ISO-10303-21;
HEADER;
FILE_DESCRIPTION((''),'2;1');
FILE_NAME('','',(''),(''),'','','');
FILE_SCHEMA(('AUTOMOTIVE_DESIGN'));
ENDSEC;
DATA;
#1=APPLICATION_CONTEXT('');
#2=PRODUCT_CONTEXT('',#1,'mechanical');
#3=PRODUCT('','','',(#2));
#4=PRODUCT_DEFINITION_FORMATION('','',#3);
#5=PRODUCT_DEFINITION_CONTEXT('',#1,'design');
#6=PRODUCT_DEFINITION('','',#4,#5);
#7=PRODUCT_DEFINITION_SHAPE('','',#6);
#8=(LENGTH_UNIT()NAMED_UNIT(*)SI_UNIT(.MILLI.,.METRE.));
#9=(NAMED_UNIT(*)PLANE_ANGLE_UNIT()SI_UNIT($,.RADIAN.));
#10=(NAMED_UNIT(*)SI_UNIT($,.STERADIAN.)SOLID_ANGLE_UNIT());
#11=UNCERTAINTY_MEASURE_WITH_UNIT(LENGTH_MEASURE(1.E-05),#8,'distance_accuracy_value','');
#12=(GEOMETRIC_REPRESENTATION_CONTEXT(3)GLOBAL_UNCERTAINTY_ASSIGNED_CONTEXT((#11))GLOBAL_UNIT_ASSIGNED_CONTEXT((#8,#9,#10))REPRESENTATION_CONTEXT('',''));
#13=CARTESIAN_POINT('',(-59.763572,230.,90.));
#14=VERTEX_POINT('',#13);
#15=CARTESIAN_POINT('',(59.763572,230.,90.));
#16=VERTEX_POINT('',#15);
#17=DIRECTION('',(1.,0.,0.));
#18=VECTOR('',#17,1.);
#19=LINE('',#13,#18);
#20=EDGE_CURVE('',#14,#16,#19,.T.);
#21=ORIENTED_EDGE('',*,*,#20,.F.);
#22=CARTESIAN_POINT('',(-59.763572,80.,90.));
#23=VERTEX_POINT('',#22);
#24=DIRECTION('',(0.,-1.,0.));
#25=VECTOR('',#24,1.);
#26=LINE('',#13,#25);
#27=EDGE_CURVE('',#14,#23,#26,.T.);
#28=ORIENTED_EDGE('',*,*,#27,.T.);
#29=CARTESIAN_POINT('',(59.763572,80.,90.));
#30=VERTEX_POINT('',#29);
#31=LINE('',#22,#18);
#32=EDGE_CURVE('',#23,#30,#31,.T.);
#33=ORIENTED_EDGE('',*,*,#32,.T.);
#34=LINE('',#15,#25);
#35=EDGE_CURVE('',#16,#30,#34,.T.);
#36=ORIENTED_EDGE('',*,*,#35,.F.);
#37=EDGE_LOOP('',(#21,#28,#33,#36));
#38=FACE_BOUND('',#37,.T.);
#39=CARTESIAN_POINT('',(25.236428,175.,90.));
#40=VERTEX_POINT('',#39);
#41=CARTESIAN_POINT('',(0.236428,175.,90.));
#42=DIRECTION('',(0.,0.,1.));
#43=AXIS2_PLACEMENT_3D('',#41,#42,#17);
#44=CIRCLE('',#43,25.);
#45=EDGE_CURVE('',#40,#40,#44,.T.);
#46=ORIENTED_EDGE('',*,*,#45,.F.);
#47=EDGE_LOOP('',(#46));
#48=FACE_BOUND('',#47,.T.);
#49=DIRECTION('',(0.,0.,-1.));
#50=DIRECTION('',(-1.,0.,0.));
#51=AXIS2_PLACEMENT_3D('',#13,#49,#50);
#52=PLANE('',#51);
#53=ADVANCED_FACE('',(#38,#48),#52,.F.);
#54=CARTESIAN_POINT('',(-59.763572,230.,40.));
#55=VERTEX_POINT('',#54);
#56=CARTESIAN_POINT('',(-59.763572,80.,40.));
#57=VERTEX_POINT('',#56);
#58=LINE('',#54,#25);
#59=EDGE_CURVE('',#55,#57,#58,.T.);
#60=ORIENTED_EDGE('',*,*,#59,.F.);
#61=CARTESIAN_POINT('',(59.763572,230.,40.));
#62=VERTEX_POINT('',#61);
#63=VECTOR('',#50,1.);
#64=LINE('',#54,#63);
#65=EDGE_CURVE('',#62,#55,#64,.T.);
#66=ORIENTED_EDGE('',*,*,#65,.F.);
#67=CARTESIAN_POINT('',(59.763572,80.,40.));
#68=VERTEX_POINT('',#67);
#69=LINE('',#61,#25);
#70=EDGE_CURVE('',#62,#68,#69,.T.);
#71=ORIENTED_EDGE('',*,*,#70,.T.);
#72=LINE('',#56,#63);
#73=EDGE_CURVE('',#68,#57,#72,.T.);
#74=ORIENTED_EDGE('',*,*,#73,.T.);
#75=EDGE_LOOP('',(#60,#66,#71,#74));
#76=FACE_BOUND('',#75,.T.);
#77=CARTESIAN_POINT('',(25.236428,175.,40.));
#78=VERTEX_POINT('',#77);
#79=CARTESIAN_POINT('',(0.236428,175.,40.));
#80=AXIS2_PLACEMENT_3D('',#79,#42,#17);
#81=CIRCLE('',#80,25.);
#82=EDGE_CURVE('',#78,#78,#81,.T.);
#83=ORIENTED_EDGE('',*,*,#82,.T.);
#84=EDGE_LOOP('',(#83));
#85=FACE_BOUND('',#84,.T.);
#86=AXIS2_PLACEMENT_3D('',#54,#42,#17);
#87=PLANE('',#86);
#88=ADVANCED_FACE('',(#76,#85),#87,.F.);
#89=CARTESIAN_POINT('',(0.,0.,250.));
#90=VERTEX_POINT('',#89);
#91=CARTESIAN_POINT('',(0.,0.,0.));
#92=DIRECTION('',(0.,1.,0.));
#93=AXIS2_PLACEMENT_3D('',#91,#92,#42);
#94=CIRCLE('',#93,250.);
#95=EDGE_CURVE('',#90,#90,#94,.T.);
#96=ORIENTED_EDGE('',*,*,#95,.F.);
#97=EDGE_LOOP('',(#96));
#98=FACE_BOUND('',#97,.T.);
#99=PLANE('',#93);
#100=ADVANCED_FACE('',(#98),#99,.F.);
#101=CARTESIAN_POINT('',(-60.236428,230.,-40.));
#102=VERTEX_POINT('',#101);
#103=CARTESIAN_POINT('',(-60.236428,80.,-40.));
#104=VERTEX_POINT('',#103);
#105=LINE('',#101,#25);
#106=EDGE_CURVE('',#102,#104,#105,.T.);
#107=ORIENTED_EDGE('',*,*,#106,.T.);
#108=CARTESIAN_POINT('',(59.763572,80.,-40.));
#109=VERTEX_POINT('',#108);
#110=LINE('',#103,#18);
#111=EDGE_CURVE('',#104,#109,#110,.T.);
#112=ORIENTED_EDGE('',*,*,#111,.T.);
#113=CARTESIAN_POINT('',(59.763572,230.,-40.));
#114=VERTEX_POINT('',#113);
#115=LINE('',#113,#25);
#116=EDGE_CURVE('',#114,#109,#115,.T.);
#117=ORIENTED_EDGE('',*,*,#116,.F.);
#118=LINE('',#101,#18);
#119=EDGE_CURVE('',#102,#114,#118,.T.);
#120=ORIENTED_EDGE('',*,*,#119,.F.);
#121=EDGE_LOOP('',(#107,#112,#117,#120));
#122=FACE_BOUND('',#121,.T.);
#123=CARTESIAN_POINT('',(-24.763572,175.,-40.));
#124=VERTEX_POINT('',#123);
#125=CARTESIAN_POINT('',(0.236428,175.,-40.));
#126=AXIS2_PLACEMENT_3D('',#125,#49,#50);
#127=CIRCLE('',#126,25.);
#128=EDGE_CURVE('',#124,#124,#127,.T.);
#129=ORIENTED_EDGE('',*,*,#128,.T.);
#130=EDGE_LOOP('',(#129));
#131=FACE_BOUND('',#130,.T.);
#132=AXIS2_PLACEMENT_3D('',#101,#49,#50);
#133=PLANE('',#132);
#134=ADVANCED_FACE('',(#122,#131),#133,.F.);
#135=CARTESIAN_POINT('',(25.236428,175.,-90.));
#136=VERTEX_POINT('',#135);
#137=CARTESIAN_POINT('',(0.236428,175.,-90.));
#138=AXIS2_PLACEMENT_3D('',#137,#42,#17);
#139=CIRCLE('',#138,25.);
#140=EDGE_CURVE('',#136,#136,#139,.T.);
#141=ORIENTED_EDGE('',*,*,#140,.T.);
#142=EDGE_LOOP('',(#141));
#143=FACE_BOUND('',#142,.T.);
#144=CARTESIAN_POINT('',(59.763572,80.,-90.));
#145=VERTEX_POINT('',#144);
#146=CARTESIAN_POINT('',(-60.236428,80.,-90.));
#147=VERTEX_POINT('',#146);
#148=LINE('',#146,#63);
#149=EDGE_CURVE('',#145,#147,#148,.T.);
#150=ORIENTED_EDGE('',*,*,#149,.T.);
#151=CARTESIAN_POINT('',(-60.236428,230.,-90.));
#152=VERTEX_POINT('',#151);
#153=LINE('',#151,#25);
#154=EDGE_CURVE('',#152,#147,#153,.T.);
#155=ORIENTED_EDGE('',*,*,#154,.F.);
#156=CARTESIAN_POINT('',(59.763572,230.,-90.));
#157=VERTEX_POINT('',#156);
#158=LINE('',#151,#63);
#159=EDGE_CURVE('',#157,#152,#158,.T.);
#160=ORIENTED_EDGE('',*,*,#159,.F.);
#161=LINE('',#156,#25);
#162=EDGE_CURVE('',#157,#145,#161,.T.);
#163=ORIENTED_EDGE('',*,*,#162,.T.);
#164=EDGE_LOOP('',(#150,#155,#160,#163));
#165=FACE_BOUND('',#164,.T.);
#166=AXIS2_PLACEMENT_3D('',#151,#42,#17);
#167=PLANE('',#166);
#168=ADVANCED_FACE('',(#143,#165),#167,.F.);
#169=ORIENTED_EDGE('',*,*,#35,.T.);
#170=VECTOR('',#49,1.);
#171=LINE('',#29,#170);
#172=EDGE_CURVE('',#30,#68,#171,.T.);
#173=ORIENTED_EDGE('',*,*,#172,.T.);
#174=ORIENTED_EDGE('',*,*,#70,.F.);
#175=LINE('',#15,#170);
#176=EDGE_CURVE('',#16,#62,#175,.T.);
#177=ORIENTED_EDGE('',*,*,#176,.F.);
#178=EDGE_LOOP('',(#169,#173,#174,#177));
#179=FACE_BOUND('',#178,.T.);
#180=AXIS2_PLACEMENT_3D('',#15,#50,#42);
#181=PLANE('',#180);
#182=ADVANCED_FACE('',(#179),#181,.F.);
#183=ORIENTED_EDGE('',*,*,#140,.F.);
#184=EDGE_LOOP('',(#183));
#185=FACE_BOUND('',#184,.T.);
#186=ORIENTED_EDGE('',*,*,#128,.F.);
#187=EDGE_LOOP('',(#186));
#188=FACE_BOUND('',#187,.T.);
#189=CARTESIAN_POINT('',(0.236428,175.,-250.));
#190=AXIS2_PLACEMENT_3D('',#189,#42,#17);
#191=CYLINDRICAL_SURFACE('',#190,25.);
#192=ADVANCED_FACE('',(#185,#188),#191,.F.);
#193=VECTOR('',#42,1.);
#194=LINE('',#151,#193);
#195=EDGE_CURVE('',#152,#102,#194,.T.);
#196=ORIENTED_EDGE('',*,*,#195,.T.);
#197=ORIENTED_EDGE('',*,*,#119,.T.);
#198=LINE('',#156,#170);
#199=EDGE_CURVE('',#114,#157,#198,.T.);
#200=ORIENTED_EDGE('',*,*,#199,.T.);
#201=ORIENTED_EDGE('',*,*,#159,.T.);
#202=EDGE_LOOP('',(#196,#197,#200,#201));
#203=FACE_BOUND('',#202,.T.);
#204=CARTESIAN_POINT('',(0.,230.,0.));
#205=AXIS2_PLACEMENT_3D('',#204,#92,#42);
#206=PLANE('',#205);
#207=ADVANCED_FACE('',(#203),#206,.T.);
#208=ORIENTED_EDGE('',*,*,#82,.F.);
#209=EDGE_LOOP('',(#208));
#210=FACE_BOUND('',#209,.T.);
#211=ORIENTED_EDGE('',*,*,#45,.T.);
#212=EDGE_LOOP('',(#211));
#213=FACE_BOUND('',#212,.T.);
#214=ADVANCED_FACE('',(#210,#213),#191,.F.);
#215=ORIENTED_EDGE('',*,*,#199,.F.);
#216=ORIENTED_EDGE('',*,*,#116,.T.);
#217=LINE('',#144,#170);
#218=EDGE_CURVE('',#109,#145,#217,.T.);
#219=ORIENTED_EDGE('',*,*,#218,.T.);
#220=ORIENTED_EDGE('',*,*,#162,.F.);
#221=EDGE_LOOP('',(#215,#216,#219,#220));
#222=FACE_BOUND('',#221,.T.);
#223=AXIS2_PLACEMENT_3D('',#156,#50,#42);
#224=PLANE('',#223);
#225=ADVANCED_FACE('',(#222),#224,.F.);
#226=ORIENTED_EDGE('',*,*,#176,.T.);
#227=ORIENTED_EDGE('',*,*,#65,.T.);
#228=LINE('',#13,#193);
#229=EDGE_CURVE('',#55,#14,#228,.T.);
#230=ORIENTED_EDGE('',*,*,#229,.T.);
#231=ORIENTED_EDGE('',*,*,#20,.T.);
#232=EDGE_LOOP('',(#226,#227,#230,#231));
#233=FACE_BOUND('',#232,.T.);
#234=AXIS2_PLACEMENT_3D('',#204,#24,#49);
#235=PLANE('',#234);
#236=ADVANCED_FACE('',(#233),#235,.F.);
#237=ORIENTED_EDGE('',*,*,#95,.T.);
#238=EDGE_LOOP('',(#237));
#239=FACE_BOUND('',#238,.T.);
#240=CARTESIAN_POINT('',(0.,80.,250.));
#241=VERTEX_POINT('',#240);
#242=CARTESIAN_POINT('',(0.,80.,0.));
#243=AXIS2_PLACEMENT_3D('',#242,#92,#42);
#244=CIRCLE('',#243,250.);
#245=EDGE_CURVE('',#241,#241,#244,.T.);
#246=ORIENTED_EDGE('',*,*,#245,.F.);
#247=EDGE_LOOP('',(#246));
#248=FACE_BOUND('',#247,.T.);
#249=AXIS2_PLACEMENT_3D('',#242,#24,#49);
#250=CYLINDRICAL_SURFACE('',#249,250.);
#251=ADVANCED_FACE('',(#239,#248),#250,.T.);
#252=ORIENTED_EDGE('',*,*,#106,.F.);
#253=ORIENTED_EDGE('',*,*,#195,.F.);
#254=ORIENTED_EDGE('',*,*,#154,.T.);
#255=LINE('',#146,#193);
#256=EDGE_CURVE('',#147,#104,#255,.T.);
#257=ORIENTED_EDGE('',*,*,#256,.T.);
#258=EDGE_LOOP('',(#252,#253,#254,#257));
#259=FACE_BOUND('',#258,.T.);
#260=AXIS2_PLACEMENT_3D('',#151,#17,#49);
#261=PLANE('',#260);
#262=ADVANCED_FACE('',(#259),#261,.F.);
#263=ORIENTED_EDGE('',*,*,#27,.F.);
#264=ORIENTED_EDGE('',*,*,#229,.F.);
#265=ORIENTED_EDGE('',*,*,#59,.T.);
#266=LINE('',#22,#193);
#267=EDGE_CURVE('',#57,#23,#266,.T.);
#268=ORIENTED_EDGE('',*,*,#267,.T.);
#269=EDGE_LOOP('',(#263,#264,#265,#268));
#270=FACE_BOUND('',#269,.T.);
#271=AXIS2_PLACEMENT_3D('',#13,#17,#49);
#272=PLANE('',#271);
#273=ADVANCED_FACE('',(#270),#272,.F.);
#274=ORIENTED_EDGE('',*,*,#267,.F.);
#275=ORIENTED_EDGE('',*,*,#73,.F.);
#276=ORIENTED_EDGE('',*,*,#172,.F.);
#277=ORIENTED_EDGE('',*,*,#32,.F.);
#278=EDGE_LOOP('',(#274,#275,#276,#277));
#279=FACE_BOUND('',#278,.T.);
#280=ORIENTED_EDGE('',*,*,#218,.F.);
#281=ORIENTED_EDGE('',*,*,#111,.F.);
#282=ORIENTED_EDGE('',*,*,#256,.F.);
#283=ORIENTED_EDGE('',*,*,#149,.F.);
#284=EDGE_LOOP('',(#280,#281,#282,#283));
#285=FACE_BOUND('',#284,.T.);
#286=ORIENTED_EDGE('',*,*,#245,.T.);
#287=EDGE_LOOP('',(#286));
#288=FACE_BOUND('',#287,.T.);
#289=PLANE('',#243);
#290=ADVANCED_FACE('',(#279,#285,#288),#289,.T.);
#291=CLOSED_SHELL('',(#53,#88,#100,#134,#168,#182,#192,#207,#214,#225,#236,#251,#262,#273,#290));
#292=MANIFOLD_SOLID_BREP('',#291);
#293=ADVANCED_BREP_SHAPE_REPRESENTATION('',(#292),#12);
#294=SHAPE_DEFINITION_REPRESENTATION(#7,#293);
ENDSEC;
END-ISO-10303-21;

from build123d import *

# Parameters (mm, degrees)
SKETCH1_R           = 250
BOSS_EXTRUDE1_DEPTH = 80
SKETCH2_W           = 120
SKETCH2_H           = 50
SKETCH2_W_2         = 119.52714404
BOSS_EXTRUDE2_DEPTH = 150
SKETCH3_R           = 25
CUT_EXTRUDE1_DEPTH  = 481.624593628


with BuildPart() as part:
    # Sketch1 → Boss-Extrude1 (new body)
    with BuildSketch(Plane(origin=(0, 0, 0), x_dir=(1, 0, 0), z_dir=(0, 1, 0))):
        with Locations(Location((0, 0, 0), (0, 0, 270))):
            Circle(SKETCH1_R)
    extrude(amount=BOSS_EXTRUDE1_DEPTH)

    # Sketch2 → Boss-Extrude2 (add)
    with BuildSketch(Plane(origin=(0, 80, 0), x_dir=(1, 0, 0), z_dir=(0, 1, 0))):
        with Locations((-0.23642798, 65)):
            Rectangle(SKETCH2_W, SKETCH2_H)
        with Locations((0, -65)):
            Rectangle(SKETCH2_W_2, SKETCH2_H)
    extrude(amount=BOSS_EXTRUDE2_DEPTH)

    # Sketch3 → Cut-Extrude1 (cut, through all)
    with BuildSketch(Plane.XY.offset(90)):
        with Locations((0.23642798, 175)):
            Circle(SKETCH3_R)
    extrude(amount=-CUT_EXTRUDE1_DEPTH, mode=Mode.SUBTRACT)


solid = part.part
